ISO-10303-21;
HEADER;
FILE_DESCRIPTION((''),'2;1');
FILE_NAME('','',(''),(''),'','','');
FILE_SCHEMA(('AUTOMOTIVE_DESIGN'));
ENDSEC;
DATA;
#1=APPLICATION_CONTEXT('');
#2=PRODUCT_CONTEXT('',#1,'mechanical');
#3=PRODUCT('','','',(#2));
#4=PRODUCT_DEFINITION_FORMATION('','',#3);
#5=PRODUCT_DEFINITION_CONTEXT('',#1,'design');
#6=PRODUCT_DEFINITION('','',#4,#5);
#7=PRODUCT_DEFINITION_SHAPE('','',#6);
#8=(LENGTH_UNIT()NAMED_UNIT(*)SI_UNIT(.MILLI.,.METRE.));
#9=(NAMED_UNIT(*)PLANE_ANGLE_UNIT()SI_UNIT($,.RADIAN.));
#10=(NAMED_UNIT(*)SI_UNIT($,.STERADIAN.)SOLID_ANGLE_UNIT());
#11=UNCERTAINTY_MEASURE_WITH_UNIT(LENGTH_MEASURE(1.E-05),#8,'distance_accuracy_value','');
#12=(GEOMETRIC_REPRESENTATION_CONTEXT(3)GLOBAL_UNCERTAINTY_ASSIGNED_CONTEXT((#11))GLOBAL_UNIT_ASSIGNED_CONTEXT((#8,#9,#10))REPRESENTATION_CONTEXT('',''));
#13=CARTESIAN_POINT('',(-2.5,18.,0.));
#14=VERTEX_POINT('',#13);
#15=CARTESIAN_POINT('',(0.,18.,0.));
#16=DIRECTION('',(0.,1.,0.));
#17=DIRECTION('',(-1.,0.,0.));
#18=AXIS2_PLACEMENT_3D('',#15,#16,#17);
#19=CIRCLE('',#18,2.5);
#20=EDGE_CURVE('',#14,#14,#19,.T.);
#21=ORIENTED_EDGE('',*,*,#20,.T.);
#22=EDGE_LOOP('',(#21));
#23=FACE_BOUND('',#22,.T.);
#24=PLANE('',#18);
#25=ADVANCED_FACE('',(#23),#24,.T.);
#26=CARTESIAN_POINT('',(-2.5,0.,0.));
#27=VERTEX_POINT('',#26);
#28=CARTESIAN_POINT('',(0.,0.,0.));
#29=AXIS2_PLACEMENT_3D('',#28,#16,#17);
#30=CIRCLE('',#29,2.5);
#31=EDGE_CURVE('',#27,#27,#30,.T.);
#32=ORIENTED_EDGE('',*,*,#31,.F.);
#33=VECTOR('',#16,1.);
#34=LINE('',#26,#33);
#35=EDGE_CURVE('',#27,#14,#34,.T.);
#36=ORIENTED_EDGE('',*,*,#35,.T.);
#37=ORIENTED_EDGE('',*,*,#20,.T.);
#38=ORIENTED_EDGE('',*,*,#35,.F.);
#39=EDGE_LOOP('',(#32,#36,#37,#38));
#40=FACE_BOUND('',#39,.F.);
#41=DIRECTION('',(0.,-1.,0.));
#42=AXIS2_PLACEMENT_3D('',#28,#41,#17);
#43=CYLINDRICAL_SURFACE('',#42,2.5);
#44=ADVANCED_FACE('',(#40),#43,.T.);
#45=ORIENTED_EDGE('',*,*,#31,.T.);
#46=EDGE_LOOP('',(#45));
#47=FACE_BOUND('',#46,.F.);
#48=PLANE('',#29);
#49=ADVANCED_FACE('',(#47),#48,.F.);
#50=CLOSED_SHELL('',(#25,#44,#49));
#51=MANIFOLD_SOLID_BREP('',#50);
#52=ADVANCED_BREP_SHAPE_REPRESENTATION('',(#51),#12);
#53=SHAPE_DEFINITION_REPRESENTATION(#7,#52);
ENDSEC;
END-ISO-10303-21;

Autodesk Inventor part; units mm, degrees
ref_plane "YZ Plane" through (0, 0, 0) normal (1, 0, 0) x (0, 1, 0)
ref_plane "XZ Plane" through (0, 0, 0) normal (0, 1, 0) x (-1, 0, 0)
ref_plane "XY Plane" through (0, 0, 0) normal (0, 0, 1) x (1, 0, 0)
sketch "Skizze1" plane through (0, 0, 0) normal (0, 1, 0) x (-1, 0, 0)
  circle A0 centre (0, 0) radius 2.5
  dimension "d0" = 5
extrude "Extrusion1" add sketch "Skizze1" along normal blind 18
properties part number "Achse"
